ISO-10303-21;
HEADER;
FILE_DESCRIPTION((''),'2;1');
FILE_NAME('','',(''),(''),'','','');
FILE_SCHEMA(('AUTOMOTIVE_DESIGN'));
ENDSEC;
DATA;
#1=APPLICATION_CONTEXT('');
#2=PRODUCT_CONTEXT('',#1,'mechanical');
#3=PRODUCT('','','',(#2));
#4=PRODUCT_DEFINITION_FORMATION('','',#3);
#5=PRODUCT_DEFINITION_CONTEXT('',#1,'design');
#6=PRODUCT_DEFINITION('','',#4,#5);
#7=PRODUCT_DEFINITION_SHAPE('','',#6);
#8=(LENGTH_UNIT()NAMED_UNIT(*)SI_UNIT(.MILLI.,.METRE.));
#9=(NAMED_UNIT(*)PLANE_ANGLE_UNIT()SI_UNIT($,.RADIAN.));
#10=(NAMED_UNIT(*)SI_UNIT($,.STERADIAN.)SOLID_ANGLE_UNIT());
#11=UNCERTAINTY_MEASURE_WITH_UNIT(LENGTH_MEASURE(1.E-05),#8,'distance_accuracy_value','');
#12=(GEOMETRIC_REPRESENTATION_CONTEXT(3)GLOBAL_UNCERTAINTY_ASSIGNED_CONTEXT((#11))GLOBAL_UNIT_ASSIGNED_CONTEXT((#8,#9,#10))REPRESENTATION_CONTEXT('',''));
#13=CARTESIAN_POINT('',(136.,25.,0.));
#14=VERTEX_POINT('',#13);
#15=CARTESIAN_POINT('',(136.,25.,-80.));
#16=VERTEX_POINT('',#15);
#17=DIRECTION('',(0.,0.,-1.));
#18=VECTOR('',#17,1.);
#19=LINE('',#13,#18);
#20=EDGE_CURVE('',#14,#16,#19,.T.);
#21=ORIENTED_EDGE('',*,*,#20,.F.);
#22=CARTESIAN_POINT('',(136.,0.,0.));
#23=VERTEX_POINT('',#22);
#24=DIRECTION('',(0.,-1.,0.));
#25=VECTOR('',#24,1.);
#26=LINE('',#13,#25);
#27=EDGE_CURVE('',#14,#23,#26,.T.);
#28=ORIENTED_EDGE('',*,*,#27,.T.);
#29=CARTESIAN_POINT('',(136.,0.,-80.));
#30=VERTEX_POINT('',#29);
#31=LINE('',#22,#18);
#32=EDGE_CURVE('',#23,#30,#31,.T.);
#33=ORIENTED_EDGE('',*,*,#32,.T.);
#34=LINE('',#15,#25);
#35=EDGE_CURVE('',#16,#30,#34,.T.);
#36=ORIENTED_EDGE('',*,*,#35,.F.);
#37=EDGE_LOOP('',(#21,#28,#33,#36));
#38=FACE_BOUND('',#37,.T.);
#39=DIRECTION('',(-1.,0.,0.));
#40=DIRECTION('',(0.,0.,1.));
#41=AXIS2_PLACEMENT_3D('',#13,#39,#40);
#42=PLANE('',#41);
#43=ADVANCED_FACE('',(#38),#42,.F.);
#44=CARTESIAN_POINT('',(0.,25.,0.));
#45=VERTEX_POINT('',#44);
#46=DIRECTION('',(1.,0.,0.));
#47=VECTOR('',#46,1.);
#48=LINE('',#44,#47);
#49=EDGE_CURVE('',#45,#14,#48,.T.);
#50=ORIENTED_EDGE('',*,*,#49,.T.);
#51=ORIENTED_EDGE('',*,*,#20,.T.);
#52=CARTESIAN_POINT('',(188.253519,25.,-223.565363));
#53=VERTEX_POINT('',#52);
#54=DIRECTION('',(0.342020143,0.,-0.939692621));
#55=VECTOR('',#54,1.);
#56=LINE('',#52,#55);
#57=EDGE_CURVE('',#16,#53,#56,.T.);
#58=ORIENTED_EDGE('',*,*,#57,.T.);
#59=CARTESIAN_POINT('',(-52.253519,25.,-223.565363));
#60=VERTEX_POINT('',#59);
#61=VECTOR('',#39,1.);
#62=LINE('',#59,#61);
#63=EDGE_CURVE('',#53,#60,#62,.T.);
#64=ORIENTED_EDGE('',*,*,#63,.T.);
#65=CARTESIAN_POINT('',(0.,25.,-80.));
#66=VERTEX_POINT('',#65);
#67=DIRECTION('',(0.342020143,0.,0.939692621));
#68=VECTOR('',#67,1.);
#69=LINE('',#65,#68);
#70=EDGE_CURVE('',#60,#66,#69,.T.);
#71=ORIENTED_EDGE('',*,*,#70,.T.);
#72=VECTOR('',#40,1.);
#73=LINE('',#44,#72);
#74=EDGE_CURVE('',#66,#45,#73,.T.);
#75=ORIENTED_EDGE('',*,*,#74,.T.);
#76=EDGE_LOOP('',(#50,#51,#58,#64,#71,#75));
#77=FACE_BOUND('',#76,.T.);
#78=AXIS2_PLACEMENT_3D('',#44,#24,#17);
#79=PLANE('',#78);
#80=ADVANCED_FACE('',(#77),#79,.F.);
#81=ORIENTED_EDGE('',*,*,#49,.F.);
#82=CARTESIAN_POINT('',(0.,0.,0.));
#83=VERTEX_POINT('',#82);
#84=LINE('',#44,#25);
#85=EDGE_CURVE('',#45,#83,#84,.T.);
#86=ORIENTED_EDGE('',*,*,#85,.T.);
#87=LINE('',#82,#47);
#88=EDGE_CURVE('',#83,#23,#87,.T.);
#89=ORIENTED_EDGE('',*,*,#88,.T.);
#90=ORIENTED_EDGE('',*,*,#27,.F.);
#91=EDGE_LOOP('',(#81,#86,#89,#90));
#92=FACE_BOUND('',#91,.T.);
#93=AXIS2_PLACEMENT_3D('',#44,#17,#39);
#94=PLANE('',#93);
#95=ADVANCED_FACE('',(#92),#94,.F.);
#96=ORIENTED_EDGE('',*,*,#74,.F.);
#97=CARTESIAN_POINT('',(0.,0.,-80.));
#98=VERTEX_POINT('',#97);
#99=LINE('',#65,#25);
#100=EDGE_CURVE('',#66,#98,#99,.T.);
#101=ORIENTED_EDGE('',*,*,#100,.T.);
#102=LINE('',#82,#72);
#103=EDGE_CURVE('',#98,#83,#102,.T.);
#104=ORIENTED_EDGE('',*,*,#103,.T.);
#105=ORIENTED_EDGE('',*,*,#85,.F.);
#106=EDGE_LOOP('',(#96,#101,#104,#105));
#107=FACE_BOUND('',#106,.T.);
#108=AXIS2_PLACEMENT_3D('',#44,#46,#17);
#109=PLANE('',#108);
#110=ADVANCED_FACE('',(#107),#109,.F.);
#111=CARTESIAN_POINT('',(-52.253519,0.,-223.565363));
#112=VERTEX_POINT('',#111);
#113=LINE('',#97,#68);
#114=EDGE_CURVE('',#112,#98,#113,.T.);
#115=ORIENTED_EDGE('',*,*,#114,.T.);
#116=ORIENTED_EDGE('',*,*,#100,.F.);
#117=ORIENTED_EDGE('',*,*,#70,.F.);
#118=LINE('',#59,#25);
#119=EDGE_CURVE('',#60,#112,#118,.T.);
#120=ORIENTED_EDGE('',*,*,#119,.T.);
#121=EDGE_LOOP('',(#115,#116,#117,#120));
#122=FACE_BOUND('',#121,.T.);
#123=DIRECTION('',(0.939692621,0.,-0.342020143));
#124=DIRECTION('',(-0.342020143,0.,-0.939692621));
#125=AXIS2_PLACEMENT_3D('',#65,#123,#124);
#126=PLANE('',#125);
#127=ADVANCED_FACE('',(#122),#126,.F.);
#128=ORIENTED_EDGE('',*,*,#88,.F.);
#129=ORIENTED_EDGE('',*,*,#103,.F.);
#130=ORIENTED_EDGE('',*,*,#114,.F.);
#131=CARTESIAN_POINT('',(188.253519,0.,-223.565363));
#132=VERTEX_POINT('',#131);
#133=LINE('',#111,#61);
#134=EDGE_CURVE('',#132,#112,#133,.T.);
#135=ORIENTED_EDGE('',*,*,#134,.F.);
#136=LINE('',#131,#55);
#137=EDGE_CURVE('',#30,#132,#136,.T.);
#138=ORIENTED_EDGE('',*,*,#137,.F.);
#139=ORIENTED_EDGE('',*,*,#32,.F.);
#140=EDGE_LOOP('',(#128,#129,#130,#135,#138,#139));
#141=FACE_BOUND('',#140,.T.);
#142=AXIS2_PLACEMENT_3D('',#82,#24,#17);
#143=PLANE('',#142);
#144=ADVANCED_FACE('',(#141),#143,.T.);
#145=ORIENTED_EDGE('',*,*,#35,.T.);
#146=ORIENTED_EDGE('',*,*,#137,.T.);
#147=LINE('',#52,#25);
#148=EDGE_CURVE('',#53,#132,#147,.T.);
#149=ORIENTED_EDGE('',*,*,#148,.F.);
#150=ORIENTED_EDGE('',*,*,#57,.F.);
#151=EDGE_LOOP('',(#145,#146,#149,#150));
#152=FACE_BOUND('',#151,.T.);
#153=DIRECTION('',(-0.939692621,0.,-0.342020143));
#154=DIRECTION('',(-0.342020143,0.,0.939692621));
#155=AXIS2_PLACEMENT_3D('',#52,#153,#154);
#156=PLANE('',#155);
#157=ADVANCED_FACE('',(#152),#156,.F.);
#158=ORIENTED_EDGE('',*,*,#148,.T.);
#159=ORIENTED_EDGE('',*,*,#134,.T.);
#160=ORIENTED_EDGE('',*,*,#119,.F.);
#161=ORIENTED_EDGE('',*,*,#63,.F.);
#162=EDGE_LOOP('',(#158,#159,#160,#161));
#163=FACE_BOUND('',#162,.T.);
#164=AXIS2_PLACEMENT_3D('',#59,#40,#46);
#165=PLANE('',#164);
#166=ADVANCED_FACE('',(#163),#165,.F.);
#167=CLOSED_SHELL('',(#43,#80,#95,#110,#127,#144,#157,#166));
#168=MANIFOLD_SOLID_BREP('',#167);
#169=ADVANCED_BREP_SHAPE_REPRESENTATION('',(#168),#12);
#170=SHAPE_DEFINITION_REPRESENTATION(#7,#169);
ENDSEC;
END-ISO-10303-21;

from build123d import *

# Parameters (mm, degrees)
BOSS_EXTRUDE1_DEPTH = 25


with BuildPart() as part:
    # Sketch2 → Boss-Extrude1 (new body)
    with BuildSketch(Plane(origin=(0, 0, 0), x_dir=(1, 0, 0), z_dir=(0, 1, 0))):
        Polygon((0, 0), (136, 0), (136, 80), (188.253518923, 223.565363327), (-52.253518923, 223.565363327), (0, 80), align=None)
    extrude(amount=BOSS_EXTRUDE1_DEPTH)


solid = part.part
